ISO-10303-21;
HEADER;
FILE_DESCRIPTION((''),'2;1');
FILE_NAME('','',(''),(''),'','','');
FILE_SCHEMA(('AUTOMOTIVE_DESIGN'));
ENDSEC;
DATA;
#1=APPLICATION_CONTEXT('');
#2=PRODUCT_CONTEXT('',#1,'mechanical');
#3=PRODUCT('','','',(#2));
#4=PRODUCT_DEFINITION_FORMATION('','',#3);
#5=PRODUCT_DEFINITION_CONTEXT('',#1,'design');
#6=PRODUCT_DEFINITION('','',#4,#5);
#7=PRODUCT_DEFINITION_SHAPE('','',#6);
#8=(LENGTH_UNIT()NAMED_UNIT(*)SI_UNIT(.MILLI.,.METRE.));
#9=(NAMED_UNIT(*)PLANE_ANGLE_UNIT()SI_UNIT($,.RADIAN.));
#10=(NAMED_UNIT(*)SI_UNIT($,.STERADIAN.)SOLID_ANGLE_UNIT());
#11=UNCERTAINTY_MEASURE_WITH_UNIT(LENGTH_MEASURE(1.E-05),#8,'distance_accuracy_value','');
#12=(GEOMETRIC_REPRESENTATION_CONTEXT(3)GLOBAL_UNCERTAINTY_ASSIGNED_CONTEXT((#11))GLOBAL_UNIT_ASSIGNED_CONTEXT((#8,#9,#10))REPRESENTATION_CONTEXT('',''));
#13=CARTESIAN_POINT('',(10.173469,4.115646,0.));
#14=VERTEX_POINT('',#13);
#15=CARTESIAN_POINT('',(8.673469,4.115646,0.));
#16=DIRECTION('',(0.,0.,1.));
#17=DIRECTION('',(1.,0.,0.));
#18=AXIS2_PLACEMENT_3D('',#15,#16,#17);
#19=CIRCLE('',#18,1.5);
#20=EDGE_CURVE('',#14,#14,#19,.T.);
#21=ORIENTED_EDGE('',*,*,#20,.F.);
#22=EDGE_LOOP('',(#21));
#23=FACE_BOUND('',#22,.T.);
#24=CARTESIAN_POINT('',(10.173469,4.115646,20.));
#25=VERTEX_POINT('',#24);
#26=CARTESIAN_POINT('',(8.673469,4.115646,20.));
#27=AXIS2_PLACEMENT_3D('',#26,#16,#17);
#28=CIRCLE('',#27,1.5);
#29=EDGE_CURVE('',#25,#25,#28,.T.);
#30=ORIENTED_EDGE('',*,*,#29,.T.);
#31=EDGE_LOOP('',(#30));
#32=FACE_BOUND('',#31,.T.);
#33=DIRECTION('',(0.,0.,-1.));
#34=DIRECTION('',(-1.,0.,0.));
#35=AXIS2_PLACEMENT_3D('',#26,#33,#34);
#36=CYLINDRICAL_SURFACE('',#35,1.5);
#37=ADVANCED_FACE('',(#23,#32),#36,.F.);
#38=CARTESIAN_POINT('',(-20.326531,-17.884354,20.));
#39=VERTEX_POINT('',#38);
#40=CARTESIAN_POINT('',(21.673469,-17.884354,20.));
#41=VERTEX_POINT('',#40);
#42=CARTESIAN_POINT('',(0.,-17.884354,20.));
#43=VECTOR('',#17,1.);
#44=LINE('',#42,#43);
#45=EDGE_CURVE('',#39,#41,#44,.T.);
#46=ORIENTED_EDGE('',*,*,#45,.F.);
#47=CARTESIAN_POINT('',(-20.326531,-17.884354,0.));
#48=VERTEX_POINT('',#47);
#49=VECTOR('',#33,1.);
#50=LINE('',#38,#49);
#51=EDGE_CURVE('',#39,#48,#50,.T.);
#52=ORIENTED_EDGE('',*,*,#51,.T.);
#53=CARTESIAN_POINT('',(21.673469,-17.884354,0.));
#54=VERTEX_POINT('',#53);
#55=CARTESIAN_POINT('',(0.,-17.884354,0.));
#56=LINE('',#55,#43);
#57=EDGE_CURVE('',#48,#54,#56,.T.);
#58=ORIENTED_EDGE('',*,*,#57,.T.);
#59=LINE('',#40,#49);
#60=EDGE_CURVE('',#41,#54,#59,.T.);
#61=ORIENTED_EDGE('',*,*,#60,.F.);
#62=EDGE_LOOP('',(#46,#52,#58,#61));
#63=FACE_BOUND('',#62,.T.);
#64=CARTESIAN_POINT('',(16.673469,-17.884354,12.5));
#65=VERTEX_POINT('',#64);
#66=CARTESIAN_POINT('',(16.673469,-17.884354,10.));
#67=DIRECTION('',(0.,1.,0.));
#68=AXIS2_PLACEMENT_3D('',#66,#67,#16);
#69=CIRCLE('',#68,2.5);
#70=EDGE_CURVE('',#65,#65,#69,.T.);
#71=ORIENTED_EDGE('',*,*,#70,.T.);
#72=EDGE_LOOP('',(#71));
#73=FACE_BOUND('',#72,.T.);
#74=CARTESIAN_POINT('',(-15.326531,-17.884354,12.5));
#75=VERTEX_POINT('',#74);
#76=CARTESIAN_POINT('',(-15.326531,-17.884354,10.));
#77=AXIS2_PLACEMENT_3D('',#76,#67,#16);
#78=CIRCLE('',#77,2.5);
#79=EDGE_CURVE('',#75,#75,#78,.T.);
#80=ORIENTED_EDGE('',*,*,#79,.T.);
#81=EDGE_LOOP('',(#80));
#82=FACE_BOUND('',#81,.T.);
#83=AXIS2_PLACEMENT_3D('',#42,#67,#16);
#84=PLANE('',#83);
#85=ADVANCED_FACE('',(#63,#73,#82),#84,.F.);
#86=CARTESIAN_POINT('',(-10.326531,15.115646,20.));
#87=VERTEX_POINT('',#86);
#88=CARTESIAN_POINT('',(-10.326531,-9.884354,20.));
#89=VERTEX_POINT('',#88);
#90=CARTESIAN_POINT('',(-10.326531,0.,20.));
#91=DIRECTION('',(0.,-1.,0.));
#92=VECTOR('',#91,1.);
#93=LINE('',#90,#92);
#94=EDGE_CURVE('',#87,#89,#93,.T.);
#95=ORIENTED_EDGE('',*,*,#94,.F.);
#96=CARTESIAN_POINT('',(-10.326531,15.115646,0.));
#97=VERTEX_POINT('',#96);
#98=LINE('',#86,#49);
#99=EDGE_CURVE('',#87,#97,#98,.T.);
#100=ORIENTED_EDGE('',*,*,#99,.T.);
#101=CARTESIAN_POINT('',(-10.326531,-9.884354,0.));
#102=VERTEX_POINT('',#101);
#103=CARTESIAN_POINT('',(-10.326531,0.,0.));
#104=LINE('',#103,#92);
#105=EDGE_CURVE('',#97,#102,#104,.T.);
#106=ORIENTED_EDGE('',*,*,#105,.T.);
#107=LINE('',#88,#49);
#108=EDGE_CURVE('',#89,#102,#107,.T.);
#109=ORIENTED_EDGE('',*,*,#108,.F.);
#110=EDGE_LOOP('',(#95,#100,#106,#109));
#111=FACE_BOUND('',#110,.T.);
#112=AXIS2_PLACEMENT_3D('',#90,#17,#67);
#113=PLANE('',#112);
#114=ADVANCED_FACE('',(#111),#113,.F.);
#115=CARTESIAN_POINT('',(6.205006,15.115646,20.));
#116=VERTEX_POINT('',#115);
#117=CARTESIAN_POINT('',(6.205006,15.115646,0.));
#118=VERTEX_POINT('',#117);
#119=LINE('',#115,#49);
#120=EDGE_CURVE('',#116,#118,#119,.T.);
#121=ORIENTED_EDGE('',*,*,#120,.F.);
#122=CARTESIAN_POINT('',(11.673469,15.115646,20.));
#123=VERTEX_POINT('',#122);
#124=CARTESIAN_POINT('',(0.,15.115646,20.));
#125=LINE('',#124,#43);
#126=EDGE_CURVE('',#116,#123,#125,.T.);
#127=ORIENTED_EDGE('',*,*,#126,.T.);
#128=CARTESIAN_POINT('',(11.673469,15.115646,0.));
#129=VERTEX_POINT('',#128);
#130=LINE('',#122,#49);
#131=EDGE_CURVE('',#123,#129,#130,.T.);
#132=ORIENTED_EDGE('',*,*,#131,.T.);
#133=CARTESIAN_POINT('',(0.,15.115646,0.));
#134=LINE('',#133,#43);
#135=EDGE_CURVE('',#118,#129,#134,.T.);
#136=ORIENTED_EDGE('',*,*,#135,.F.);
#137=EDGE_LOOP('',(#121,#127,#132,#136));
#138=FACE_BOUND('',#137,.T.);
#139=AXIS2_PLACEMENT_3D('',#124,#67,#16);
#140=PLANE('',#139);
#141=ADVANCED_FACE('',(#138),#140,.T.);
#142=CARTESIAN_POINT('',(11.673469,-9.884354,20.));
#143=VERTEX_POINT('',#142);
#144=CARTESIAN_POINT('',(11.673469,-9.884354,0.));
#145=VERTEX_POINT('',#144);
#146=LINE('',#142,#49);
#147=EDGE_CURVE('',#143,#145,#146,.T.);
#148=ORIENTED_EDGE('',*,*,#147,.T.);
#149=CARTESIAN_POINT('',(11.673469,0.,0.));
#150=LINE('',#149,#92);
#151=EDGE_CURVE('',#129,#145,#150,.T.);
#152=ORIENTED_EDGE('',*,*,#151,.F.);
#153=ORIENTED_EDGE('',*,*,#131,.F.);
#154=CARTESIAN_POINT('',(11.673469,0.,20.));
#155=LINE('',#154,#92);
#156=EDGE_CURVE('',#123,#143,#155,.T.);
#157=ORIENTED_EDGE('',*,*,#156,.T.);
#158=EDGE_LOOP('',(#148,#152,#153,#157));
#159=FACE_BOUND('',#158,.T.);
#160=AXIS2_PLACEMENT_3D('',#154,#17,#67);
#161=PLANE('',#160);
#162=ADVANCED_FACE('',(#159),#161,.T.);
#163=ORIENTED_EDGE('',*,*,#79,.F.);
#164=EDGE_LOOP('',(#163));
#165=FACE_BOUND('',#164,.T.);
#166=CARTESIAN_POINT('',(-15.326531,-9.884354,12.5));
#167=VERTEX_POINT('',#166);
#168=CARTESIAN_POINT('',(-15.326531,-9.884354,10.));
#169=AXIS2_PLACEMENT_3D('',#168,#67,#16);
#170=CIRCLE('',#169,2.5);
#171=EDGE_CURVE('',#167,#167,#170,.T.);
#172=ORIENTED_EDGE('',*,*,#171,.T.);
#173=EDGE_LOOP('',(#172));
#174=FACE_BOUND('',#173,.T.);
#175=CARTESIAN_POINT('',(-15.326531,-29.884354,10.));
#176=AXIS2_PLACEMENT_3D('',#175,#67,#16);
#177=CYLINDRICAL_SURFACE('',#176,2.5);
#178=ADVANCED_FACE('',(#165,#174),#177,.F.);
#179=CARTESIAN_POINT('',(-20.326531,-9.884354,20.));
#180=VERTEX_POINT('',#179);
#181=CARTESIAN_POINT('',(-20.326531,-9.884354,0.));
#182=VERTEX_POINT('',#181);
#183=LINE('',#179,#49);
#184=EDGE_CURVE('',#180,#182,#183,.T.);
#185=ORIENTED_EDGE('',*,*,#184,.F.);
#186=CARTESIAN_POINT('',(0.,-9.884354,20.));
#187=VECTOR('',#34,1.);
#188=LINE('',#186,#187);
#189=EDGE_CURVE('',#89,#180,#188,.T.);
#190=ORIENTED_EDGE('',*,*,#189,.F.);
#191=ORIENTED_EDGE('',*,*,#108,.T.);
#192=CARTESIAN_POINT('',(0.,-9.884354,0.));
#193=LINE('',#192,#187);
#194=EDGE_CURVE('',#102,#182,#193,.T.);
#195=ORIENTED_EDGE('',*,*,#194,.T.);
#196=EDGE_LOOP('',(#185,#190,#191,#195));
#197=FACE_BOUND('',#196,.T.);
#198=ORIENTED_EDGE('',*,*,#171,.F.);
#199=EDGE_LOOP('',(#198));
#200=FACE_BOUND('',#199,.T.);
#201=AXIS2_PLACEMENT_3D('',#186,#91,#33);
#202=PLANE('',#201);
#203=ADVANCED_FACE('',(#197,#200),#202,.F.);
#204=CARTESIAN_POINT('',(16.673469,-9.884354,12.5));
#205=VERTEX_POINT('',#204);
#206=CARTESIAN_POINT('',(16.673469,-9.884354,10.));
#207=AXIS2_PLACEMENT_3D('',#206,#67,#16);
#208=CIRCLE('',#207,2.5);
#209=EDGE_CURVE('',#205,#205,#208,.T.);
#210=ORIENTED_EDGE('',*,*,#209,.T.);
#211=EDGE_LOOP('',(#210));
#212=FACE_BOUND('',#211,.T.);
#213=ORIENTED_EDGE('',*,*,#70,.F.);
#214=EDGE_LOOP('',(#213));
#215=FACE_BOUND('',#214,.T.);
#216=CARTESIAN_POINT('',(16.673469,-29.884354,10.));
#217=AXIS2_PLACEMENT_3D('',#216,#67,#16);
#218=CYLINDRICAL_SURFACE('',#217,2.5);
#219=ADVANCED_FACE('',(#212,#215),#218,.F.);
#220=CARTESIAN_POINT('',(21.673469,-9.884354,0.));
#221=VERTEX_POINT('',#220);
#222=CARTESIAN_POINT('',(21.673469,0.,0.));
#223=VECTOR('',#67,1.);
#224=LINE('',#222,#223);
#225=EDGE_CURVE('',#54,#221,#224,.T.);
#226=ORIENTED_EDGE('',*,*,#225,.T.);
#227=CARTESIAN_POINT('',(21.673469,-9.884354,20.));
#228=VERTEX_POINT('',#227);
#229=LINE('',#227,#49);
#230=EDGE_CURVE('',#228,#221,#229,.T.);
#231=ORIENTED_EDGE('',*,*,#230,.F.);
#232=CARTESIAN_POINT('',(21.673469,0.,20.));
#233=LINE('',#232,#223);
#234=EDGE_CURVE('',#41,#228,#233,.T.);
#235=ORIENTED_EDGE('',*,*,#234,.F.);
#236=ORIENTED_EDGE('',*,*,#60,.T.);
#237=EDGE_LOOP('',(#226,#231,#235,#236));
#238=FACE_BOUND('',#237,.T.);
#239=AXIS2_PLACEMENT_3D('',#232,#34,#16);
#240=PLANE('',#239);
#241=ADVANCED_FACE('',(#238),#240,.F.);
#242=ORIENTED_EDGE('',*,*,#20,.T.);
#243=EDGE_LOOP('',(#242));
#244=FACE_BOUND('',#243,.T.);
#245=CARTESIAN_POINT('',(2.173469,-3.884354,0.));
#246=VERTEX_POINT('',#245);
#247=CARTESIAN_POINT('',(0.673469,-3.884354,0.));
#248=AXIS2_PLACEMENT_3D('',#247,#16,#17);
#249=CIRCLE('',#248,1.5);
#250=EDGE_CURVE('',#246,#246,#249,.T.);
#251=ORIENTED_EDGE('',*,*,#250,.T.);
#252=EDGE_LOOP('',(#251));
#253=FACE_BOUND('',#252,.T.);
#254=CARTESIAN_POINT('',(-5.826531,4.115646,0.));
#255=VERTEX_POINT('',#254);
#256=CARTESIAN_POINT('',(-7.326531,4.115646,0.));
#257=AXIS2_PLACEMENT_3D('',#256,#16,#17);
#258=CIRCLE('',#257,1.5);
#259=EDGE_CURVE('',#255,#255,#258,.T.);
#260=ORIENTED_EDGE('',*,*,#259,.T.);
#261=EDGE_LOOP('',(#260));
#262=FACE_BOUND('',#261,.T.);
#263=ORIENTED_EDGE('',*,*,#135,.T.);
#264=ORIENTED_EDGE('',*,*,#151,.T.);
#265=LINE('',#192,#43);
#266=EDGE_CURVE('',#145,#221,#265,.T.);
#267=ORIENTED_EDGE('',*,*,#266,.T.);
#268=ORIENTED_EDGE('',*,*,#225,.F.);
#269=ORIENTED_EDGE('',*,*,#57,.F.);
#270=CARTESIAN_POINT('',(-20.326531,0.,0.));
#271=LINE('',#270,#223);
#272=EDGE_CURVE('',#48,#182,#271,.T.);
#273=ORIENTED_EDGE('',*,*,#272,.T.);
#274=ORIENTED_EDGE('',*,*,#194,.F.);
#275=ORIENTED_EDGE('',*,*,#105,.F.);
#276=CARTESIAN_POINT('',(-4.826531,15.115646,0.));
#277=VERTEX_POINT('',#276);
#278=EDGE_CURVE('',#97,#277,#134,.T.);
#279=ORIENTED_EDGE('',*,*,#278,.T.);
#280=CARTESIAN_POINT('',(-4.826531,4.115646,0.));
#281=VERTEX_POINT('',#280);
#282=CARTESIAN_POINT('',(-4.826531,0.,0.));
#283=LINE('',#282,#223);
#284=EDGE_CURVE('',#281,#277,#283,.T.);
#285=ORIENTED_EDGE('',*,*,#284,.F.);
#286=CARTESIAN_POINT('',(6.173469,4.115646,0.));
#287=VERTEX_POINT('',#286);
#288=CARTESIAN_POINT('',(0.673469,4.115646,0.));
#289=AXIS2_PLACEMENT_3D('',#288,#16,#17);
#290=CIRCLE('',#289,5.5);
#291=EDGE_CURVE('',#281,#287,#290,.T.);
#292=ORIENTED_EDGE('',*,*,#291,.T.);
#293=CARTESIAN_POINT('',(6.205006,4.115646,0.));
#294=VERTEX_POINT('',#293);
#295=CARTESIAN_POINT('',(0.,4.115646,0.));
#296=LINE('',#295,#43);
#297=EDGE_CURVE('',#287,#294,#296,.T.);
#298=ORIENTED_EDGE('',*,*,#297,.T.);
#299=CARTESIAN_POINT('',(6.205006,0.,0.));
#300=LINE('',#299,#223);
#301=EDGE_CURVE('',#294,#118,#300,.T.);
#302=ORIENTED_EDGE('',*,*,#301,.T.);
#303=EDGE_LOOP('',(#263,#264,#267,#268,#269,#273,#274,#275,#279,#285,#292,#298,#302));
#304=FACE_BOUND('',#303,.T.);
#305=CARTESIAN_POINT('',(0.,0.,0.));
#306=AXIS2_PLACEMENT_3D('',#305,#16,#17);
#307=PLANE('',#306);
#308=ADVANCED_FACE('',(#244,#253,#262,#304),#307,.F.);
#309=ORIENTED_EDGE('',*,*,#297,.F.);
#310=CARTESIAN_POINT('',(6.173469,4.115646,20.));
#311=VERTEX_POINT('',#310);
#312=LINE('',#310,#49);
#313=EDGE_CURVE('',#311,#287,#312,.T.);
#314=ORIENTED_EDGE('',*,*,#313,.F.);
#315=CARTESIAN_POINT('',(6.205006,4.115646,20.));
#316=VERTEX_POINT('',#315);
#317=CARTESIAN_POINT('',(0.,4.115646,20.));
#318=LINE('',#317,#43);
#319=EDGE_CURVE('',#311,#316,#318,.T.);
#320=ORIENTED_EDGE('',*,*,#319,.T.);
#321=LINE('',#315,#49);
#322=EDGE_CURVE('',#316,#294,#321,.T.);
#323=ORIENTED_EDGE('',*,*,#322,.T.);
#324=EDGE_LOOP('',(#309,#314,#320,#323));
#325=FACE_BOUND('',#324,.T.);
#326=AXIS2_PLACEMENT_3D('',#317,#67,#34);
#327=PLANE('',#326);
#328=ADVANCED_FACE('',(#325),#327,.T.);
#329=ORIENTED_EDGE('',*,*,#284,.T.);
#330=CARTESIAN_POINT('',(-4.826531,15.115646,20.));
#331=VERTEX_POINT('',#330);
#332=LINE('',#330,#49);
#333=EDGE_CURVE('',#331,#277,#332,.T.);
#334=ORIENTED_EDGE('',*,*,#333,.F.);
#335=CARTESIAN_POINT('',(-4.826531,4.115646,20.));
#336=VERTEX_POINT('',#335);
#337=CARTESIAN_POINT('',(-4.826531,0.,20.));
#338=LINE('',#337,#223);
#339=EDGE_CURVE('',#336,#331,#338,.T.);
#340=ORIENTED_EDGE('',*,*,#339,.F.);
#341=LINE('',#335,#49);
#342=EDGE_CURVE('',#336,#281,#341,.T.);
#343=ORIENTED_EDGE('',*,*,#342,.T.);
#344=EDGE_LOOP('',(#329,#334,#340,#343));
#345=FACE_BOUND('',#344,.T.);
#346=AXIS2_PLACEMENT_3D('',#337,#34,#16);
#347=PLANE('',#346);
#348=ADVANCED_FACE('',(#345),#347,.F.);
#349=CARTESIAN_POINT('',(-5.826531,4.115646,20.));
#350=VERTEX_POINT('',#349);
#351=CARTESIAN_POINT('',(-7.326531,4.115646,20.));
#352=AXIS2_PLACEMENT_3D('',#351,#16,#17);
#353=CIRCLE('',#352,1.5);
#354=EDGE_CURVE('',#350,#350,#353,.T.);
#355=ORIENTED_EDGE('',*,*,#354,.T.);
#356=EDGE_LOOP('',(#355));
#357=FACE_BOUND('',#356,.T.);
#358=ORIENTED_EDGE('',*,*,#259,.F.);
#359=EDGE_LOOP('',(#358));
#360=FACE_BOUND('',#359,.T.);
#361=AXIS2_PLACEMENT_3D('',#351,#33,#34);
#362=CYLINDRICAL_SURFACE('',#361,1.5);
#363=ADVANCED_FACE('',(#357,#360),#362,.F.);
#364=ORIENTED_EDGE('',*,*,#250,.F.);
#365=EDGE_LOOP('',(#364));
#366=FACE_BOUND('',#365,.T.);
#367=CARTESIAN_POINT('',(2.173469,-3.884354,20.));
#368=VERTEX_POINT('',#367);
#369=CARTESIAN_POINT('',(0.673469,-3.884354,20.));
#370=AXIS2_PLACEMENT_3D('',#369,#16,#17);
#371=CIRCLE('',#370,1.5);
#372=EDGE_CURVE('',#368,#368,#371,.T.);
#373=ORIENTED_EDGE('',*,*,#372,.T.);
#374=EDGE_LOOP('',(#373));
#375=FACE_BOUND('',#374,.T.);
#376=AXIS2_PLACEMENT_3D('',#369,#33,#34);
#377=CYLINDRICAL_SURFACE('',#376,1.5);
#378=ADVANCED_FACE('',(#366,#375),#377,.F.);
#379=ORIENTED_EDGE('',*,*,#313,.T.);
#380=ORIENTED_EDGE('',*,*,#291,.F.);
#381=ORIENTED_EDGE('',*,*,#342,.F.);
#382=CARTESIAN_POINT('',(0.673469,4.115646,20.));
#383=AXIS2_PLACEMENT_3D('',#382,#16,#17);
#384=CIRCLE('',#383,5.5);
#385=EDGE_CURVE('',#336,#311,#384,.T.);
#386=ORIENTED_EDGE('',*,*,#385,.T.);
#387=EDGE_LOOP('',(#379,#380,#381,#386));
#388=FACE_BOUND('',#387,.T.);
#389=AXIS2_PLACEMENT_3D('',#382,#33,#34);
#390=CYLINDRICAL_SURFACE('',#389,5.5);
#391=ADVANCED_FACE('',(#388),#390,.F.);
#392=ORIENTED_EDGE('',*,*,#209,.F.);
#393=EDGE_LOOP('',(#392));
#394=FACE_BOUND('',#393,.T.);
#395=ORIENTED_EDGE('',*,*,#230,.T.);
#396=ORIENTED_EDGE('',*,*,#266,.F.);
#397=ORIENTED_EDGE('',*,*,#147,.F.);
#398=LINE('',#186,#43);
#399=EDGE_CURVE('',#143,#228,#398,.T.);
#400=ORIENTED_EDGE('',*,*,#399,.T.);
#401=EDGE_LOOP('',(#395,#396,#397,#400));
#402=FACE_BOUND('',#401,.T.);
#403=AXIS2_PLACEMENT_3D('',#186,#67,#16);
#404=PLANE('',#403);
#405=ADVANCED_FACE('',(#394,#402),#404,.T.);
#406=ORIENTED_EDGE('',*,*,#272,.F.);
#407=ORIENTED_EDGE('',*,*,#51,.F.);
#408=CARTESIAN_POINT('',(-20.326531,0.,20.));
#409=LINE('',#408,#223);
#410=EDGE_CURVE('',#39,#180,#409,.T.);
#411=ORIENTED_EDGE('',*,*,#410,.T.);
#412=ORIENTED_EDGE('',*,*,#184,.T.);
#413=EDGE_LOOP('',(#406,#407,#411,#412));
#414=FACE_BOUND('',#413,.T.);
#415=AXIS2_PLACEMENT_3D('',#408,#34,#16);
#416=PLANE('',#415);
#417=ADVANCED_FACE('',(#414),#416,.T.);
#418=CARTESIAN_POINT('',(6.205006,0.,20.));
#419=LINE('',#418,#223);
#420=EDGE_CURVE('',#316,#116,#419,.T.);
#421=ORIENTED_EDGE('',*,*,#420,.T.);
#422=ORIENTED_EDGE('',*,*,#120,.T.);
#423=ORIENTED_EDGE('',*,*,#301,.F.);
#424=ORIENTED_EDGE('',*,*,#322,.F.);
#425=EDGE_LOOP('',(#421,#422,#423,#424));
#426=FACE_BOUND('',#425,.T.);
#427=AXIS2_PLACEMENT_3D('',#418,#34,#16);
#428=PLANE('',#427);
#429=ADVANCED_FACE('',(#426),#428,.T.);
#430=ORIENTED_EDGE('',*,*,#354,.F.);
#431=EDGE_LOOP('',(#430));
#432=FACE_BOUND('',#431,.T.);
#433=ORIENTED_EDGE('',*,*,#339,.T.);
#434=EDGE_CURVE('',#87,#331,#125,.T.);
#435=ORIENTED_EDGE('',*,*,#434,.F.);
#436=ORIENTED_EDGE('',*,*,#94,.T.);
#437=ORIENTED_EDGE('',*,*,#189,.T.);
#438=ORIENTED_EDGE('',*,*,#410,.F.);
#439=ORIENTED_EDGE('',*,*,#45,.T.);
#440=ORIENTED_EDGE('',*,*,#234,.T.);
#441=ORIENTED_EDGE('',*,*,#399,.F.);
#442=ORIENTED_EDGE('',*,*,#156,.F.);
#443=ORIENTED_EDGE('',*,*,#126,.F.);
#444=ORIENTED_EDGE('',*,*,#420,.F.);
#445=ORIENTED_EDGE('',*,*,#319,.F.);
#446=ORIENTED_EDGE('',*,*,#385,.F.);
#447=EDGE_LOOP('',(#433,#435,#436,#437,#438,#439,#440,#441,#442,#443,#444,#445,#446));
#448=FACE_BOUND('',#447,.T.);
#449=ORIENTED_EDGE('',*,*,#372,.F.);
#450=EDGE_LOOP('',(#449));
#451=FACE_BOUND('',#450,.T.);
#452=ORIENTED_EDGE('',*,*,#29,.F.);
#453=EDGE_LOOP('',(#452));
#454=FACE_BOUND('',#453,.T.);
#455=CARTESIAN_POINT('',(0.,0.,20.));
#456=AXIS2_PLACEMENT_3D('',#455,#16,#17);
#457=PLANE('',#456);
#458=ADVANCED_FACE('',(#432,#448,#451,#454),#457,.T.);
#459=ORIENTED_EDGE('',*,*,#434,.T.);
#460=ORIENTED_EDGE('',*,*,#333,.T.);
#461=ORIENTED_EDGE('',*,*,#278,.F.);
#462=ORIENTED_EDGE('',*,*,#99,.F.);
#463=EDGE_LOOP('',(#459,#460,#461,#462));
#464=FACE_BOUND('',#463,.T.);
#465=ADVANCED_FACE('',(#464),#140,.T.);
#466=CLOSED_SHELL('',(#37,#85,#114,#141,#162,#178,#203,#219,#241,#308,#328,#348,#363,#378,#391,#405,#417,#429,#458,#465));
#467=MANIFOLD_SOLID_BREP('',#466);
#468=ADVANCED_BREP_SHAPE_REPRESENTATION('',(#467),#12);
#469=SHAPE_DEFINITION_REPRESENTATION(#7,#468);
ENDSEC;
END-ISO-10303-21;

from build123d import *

# Parameters (mm, degrees)
SKETCH_1_R          = 1.5
EXTRUDE_1_DEPTH     = 20
SKETCH_2_R          = 2.5
CUT_EXTRUDE_1_DEPTH = 20


with BuildPart() as part:
    # 草图1 → 凸台-拉伸1 (new body)
    with BuildSketch(Plane.XY):
        with BuildLine():
            Line((21.673469388, -17.884353741), (21.673469388, -9.884353741))
            Line((21.673469388, -9.884353741), (11.673469388, -9.884353741))
            Line((11.673469388, -9.884353741), (11.673469388, 15.115646259))
            Line((11.673469388, 15.115646259), (6.205006293, 15.115646259))
            Line((6.205006293, 15.115646259), (6.205006293, 4.115646259))
            Line((6.205006293, 4.115646259), (6.173469388, 4.115646259))
            ThreePointArc((6.173469388, 4.115646259), (0.673469388, -1.384353741), (-4.826530612, 4.115646259))
            Line((-4.826530612, 4.115646259), (-4.826530612, 15.115646259))
            Line((-4.826530612, 15.115646259), (-10.326530612, 15.115646259))
            Line((-10.326530612, 15.115646259), (-10.326530612, -9.884353741))
            Line((-10.326530612, -9.884353741), (-20.326530612, -9.884353741))
            Line((-20.326530612, -9.884353741), (-20.326530612, -17.884353741))
            Line((-20.326530612, -17.884353741), (21.673469388, -17.884353741))
        make_face()
        with Locations((0.673469388, -3.884353741)):
            Circle(SKETCH_1_R, mode=Mode.SUBTRACT)
        with Locations((-7.326530612, 4.115646259)):
            Circle(SKETCH_1_R, mode=Mode.SUBTRACT)
        with Locations((8.673469388, 4.115646259)):
            Circle(SKETCH_1_R, mode=Mode.SUBTRACT)
    extrude(amount=EXTRUDE_1_DEPTH)

    # 草图2 → 切除-拉伸1 (cut)
    with BuildSketch(Plane(origin=(0, -9.884353741, 0), x_dir=(1, 0, 0), z_dir=(0, 1, 0))):
        with Locations((16.673469388, -10)):
            Circle(SKETCH_2_R)
        with Locations((-15.326530612, -10)):
            Circle(SKETCH_2_R)
    extrude(amount=-CUT_EXTRUDE_1_DEPTH, mode=Mode.SUBTRACT)


solid = part.part
